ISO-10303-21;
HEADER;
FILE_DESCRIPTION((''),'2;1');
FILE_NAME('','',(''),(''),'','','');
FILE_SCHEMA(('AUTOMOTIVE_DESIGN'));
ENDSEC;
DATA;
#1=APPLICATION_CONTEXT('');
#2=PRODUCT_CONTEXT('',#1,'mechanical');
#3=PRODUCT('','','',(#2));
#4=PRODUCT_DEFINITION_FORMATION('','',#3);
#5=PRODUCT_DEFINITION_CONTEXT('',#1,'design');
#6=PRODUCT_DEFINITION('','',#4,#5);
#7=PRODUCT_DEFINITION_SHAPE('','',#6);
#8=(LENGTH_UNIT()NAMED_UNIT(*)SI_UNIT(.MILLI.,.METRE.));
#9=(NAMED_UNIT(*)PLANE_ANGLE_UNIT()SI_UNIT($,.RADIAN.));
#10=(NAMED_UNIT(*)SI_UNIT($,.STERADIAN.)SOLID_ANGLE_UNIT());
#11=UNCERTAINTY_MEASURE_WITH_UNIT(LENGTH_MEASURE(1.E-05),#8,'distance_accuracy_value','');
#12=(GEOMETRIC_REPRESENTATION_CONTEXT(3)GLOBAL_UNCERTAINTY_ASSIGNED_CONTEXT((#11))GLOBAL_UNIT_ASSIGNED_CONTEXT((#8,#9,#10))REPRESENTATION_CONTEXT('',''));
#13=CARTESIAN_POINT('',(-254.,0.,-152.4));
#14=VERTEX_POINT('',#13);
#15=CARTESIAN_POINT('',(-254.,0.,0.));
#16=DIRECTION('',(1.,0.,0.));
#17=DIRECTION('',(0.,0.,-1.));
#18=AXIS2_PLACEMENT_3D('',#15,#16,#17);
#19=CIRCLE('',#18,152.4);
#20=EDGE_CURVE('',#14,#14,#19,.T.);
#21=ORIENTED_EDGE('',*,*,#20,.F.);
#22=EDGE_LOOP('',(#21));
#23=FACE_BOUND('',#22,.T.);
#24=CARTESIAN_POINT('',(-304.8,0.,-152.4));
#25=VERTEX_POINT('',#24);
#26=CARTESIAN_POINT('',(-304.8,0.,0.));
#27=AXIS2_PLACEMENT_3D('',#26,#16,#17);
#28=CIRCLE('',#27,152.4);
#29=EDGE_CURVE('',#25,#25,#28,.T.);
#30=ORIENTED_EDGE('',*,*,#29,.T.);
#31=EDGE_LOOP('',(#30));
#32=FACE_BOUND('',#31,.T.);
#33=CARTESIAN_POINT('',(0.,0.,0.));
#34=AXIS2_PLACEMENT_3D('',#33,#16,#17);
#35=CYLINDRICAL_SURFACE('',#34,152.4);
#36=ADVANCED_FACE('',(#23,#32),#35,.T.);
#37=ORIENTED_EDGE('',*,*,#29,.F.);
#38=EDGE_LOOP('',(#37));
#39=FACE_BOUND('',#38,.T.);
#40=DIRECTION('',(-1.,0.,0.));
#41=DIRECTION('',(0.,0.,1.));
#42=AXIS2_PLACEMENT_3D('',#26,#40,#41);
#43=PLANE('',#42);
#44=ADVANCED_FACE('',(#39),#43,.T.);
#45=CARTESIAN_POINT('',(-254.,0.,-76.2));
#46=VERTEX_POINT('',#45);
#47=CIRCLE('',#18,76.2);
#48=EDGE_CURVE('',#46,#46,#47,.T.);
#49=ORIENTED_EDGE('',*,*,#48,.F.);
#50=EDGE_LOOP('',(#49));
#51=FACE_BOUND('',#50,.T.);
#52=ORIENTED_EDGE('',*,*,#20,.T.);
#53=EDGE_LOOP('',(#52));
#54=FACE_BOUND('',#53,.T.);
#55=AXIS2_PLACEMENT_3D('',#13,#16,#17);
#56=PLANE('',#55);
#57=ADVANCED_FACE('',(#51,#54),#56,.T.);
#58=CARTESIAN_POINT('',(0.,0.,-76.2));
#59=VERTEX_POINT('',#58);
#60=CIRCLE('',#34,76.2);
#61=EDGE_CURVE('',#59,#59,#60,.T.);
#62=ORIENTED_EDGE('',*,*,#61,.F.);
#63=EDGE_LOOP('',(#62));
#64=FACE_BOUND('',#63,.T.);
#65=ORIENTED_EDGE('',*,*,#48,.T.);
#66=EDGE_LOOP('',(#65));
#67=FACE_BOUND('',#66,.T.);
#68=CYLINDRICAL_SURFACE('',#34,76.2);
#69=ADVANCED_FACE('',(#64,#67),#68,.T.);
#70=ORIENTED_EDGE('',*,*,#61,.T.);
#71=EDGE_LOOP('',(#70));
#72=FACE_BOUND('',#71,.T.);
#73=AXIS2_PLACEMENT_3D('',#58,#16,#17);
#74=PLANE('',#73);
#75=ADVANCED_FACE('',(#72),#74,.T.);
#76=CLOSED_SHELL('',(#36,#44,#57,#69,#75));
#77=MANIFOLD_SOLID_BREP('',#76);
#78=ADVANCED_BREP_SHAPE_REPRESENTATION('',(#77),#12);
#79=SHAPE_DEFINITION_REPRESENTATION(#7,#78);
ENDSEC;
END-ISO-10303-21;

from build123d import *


with BuildPart() as part:
    # Sketch1 → Revolve1 (revolve)
    with BuildSketch(Plane(origin=(0, 0, 0), x_dir=(1, 0, 0), z_dir=(0, 1, 0))):
        Polygon((0, 0), (-304.8, 0), (-304.8, 152.4), (-254, 152.4), (-254, 76.2), (0, 76.2), align=None)
    revolve(axis=Axis((0, 0, 0), (-1, 0, 0)))


solid = part.part
